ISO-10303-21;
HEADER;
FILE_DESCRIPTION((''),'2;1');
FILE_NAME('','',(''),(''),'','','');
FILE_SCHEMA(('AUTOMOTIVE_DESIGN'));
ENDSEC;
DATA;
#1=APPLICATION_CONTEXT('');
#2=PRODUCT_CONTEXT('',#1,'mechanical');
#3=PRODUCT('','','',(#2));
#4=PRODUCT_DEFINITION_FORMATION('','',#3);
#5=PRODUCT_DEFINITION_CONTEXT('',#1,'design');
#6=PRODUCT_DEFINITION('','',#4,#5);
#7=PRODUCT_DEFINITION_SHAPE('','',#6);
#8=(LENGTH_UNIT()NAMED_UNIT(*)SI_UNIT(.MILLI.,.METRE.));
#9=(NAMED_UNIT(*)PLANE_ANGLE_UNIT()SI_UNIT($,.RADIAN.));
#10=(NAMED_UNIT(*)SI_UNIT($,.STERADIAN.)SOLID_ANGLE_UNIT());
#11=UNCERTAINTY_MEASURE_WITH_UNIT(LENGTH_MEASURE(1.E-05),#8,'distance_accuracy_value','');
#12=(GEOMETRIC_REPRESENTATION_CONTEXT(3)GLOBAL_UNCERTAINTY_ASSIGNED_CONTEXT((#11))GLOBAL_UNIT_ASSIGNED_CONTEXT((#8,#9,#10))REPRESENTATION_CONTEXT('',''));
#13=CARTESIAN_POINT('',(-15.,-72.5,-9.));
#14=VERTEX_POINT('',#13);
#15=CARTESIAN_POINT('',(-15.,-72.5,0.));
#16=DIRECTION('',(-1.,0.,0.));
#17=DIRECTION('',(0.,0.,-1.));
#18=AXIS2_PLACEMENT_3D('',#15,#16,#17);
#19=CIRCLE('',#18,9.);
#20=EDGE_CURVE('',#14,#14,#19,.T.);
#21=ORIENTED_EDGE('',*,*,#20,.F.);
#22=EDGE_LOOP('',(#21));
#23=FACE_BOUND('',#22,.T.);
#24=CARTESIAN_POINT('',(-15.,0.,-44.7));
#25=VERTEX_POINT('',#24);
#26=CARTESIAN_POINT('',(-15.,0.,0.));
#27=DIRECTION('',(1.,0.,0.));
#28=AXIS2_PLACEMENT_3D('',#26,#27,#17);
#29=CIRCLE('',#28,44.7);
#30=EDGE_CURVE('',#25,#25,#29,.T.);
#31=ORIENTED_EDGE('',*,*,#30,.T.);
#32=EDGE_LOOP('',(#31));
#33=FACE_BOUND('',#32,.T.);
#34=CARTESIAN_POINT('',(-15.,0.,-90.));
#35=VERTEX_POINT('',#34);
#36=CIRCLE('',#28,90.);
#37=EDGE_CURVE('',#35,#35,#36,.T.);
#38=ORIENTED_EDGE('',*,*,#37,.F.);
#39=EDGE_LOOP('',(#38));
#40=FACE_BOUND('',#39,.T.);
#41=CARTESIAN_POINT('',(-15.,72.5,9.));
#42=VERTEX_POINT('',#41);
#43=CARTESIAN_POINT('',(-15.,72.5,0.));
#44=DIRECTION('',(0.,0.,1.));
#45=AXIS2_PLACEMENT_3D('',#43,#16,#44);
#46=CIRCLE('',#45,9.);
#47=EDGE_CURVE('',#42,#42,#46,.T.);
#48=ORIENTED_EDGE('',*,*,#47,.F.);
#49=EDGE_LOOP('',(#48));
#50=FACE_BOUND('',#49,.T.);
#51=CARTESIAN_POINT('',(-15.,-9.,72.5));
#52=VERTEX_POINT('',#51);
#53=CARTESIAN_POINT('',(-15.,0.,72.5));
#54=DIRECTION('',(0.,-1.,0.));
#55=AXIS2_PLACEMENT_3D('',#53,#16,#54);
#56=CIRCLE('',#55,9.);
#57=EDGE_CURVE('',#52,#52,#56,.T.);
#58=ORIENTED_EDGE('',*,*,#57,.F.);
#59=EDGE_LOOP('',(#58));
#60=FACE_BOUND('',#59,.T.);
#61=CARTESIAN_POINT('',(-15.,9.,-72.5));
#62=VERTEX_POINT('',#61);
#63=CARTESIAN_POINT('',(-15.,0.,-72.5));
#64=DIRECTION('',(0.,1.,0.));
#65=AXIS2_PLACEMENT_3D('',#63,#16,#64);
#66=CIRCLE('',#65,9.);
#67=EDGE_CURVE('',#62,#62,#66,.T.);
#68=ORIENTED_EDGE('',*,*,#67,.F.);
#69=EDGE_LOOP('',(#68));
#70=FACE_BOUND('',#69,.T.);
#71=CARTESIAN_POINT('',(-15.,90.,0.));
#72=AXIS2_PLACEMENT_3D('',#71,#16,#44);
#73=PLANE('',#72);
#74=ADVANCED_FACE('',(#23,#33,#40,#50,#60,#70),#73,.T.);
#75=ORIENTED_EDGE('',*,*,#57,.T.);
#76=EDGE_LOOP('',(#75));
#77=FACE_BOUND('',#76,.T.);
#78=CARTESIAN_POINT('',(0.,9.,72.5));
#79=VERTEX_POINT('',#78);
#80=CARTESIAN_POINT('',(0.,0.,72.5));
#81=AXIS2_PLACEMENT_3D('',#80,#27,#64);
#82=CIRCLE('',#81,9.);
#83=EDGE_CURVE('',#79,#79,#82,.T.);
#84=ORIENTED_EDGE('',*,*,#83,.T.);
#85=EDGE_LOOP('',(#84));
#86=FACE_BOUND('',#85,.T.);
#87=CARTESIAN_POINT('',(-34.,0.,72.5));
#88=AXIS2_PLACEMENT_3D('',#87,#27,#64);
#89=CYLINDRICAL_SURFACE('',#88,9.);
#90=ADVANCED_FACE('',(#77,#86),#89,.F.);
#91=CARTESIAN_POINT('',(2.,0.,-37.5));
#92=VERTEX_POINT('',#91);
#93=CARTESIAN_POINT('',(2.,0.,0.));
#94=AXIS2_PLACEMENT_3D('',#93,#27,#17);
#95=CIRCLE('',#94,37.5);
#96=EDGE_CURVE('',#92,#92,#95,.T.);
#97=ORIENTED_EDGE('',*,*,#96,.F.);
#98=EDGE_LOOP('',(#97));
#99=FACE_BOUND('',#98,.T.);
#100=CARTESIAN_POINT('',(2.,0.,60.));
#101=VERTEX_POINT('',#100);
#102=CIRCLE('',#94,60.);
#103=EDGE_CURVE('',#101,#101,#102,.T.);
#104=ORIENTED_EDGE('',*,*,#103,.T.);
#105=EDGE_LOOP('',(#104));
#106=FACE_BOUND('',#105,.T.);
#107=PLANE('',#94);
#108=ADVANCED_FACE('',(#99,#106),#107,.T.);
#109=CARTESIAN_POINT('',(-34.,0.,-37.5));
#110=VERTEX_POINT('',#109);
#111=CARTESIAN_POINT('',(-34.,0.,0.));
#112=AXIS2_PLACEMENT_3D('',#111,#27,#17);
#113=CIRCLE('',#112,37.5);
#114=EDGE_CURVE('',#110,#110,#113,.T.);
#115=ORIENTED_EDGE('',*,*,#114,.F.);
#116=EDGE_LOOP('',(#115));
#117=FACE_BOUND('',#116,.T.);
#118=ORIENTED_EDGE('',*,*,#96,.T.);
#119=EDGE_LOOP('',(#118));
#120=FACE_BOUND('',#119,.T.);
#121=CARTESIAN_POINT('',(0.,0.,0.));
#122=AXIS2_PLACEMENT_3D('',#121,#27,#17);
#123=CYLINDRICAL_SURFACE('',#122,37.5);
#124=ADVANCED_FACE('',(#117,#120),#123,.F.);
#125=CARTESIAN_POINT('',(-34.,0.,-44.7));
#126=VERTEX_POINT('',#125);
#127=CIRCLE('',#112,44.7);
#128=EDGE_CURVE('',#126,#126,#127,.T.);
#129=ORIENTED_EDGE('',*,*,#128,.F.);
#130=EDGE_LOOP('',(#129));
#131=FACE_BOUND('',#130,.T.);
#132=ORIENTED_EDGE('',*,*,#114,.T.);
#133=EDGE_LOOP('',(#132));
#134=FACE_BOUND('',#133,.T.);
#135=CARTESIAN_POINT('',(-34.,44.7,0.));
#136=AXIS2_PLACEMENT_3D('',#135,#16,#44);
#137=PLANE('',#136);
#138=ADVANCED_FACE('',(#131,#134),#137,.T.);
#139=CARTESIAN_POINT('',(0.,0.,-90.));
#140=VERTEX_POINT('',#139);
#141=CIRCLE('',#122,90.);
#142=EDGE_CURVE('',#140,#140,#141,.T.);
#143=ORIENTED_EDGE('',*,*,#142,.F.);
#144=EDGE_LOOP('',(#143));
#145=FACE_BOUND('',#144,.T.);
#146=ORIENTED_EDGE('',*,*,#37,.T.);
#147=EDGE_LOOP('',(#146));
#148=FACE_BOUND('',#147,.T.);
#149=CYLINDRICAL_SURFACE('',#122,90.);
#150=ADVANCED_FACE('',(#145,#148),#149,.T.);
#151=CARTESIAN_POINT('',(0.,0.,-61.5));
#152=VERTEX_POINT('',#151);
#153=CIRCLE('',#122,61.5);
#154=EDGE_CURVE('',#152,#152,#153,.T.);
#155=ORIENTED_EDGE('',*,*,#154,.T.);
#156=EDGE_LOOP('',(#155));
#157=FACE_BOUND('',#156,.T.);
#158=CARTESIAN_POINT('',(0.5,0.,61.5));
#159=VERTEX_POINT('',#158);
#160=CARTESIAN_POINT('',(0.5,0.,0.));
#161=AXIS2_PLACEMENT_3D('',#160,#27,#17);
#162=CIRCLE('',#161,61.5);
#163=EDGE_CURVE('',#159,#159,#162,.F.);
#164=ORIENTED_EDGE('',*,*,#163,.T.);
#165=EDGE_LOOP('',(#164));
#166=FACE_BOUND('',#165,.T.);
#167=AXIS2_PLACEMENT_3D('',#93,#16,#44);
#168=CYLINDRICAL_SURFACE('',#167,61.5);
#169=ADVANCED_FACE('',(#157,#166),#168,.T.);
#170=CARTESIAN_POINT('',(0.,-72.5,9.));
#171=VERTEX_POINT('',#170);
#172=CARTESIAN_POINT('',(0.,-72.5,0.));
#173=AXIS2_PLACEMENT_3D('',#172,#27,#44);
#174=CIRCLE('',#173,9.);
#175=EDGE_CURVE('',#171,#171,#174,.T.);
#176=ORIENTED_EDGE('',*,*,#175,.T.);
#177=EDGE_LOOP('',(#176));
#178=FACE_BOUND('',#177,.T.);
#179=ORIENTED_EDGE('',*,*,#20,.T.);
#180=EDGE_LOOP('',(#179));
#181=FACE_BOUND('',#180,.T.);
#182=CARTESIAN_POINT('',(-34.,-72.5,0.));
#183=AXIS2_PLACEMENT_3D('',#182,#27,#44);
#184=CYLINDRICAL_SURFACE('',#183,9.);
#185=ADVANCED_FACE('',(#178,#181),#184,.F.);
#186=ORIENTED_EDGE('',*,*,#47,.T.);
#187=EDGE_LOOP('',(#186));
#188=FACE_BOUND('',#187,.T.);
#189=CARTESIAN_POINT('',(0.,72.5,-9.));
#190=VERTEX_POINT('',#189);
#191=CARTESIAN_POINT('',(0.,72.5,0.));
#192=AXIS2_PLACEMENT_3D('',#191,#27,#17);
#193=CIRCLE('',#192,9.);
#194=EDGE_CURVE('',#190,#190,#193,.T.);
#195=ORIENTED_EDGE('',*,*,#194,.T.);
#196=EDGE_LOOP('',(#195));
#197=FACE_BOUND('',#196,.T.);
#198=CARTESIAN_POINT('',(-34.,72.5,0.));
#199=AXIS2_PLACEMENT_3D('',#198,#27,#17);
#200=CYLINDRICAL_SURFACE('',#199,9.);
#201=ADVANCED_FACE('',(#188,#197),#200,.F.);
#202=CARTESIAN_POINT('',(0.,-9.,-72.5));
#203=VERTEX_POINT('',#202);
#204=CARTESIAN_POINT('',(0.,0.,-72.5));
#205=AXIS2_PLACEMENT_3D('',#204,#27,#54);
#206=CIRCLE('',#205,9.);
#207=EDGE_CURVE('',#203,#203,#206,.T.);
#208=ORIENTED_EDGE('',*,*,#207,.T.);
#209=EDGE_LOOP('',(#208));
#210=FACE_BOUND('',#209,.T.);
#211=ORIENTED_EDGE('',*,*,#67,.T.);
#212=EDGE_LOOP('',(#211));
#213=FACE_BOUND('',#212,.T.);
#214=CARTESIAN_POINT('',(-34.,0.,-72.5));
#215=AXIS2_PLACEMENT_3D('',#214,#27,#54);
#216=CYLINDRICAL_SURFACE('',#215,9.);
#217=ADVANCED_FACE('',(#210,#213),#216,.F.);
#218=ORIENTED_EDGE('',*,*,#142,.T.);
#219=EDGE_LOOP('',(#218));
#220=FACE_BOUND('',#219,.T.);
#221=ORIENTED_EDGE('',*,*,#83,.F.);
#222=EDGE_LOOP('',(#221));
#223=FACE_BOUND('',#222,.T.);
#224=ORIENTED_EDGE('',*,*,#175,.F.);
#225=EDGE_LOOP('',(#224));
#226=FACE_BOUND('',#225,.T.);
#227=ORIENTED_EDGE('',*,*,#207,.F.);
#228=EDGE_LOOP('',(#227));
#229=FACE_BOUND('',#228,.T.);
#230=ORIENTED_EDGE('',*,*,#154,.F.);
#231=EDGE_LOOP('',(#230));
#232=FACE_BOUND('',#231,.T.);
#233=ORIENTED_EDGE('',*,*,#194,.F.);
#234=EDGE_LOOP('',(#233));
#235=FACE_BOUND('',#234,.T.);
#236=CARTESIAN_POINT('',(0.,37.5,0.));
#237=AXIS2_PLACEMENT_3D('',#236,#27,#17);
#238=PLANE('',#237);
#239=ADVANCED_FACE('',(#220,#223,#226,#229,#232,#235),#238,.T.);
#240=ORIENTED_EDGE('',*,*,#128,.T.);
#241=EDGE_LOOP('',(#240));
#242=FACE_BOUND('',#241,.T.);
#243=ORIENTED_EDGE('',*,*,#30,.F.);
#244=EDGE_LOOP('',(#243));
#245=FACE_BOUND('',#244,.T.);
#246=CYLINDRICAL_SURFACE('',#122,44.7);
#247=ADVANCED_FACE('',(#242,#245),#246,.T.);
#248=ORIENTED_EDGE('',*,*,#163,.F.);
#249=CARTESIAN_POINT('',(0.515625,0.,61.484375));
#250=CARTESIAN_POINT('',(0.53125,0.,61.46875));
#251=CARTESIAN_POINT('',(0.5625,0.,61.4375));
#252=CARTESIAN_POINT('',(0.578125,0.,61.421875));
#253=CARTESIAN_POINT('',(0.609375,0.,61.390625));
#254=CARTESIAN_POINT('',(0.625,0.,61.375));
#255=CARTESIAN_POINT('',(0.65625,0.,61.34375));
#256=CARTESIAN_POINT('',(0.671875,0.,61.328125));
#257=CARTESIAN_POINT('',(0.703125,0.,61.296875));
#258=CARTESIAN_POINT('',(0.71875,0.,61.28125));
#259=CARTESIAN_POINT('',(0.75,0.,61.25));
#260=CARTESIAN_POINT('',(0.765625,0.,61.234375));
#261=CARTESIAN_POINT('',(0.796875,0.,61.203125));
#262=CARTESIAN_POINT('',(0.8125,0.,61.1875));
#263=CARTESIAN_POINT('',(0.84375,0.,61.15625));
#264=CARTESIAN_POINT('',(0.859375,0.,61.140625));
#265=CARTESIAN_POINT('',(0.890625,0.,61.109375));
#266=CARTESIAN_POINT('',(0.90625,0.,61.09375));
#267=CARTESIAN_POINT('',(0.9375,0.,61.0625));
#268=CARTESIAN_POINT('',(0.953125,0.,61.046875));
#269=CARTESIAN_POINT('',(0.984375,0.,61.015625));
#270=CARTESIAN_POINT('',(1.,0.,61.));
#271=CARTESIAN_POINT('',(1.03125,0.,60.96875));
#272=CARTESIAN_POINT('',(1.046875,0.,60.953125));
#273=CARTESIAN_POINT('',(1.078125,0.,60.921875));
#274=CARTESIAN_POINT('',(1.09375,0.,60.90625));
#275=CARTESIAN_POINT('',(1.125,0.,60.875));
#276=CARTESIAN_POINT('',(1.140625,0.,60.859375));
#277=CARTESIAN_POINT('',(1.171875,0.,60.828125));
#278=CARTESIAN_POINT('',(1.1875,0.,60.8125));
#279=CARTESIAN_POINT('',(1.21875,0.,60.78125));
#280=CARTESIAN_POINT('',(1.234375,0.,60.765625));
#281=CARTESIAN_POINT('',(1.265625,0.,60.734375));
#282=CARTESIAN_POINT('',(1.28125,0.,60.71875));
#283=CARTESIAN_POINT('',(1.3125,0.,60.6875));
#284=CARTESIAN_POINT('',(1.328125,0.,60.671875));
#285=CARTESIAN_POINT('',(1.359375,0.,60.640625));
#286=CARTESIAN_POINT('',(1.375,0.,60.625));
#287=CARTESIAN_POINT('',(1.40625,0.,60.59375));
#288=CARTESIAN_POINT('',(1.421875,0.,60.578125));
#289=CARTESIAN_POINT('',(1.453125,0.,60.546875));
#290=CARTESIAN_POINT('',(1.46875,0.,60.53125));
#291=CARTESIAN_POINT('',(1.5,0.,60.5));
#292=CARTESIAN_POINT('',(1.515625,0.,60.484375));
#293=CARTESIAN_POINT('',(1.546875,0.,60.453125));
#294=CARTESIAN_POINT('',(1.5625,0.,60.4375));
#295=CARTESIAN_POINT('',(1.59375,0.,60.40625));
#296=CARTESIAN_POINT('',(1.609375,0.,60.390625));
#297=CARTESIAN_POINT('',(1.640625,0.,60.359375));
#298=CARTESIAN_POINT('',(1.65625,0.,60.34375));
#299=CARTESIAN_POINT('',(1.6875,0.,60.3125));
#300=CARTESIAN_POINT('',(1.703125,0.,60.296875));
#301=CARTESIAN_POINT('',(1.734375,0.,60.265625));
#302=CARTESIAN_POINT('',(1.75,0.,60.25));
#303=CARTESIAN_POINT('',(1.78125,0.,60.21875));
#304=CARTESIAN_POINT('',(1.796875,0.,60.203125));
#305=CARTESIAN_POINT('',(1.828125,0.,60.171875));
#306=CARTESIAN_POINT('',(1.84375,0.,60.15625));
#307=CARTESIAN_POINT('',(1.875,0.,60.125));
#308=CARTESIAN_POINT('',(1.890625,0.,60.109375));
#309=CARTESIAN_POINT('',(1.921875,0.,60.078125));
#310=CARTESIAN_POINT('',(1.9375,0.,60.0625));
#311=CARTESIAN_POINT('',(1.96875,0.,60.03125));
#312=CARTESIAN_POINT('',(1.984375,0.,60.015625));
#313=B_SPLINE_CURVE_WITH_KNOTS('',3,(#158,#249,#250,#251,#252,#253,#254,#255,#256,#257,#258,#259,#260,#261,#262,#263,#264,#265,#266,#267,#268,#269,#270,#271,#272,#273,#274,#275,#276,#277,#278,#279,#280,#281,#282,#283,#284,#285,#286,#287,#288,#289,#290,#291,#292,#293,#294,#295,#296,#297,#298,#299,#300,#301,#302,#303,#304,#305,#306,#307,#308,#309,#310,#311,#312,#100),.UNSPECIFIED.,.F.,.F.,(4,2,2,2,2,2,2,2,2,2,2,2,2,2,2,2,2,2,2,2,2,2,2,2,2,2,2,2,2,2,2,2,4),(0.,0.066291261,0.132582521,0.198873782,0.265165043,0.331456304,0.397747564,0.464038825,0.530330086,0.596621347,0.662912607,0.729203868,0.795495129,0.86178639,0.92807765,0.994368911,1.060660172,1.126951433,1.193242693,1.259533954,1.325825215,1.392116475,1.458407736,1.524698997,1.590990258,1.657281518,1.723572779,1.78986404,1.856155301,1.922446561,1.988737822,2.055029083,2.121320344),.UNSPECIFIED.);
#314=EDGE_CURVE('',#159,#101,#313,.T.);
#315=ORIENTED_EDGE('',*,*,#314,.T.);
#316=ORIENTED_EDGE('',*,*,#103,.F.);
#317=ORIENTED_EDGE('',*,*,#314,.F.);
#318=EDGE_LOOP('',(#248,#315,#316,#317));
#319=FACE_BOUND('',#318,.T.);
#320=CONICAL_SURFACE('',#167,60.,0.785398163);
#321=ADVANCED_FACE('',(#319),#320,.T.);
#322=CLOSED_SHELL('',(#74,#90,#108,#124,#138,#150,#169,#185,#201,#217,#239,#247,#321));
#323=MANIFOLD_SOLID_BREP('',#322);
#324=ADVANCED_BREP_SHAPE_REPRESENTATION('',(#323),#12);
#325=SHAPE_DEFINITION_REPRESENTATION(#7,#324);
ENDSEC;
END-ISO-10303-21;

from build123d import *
from build123d.topology import SkipClean

# Parameters (mm, degrees)
SKETCH_2_R               = 9
CUT_EXTRUDE_2_DEPTH      = 132.742172443
PATTERN_CIRCULAR_2_COUNT = 4
EXTRUDE_START            = 2
SKETCH_3_R               = 61.5
SKETCH_3_R_2             = 37.5
EXTRUDE_1_DEPTH          = 2
CHAMFER_5_SIZE           = 1.5


with BuildPart() as part:
    # Эскиз1 → Повернуть1 (revolve)
    with BuildSketch(Plane.XY):
        Polygon((-34, 37.5), (0, 37.5), (0, 90), (-15, 90), (-15, 44.7), (-34, 44.7), align=None)
    revolve(axis=Axis((0, 0, 0), (-1, 0, 0)))

    # Эскиз2 → Вырез-Вытянуть2 (cut, through all)
    with BuildSketch(Plane(origin=(0, 0, 0), x_dir=(0, 0, -1), z_dir=(1, 0, 0))):
        with Locations((0, 72.5)):
            Circle(SKETCH_2_R)
    cut_extrude_2 = extrude(amount=-CUT_EXTRUDE_2_DEPTH, mode=Mode.SUBTRACT)

    # Круговой массив2: Вырез-Вытянуть2 ×4 about axis
    pattern_circular_2_axis = Axis((84.004285605, 0, 0), (-1, 0, 0))
    for i in range(1, PATTERN_CIRCULAR_2_COUNT):
        add(cut_extrude_2.rotate(pattern_circular_2_axis, i * 360 / PATTERN_CIRCULAR_2_COUNT), mode=Mode.SUBTRACT)

    # Эскиз3 → Вытянуть1 (add)
    with SkipClean():  # the faces are left unmerged after this step: merging them gives an invalid solid
        with BuildSketch(Plane(origin=(0, 0, 0), x_dir=(0, 0, -1), z_dir=(1, 0, 0)).offset(EXTRUDE_START)):
            Circle(SKETCH_3_R)
            Circle(SKETCH_3_R_2, mode=Mode.SUBTRACT)
        extrude(amount=-EXTRUDE_1_DEPTH)

    # Фаска5
    chamfer_5_edges = [part.edges().sort_by_distance(p)[0] for p in [
        (2, 0, 61.5),
    ]]
    chamfer(chamfer_5_edges, length=CHAMFER_5_SIZE)


solid = part.part
